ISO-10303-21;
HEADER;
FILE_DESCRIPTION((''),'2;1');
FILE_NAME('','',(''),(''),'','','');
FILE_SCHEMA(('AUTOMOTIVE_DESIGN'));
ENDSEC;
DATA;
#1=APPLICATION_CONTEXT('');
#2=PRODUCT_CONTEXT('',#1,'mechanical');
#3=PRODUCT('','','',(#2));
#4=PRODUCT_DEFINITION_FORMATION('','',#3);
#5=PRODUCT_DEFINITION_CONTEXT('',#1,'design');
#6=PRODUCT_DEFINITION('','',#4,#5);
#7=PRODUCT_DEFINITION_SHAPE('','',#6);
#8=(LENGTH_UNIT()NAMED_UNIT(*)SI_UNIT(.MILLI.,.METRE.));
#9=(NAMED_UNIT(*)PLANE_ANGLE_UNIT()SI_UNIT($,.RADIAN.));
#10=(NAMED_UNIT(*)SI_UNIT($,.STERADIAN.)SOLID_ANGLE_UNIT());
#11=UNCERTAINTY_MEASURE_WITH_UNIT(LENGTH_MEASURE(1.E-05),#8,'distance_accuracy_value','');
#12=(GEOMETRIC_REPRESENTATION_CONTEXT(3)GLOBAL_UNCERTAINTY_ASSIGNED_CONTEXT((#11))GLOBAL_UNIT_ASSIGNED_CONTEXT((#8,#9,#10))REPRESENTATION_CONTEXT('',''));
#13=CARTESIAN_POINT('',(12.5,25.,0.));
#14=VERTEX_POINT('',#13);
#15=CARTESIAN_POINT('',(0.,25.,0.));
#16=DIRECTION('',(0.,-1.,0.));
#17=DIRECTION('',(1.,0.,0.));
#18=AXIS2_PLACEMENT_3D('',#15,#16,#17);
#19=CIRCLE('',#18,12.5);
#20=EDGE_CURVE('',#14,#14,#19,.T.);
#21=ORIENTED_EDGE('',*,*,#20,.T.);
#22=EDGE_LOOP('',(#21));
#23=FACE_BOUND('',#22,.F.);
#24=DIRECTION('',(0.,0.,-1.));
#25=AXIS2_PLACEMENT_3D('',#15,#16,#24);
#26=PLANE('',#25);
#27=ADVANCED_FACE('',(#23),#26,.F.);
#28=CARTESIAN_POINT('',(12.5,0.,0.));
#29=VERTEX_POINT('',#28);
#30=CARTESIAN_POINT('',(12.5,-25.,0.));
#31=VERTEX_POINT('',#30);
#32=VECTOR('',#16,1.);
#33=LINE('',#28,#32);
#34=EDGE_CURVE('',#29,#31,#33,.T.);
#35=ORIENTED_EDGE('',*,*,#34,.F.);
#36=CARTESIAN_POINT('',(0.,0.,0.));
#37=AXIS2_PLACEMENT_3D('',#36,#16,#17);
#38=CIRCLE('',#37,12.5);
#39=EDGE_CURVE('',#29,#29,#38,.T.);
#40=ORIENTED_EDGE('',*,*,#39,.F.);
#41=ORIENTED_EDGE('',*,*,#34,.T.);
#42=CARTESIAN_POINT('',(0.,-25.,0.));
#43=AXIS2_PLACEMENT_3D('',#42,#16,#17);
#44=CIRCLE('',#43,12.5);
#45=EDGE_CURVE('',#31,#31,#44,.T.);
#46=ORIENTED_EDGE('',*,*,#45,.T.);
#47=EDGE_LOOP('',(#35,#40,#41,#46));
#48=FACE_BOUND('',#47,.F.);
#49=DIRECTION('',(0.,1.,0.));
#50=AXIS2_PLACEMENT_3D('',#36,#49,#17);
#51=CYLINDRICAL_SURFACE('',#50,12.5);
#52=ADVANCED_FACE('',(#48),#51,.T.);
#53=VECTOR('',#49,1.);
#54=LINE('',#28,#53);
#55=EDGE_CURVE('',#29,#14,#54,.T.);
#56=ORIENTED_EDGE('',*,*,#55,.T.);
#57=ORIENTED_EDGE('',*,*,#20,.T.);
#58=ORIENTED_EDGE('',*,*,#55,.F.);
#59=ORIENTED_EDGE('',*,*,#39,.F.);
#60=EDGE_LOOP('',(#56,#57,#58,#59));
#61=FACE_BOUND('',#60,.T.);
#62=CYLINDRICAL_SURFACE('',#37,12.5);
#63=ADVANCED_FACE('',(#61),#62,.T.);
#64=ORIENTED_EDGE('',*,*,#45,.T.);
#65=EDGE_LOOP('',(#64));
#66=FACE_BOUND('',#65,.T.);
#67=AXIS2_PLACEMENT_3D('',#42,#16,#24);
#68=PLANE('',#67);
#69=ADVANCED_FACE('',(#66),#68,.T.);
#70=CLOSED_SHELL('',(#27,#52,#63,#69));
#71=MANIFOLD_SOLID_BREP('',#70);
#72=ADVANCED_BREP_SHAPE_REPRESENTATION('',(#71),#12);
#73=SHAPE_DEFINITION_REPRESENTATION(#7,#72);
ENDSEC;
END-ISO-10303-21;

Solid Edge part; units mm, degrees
sketch "Sketch1" plane through (0, 0, 0) normal (0, -1, 0) x (1, 0, 0)
  circle A0 centre (0, 0) radius 12.5
  dimension "D1" = 25
extrude "Protrusion1" add sketch "Sketch1" along normal mid plane 50
properties material "Steel"
